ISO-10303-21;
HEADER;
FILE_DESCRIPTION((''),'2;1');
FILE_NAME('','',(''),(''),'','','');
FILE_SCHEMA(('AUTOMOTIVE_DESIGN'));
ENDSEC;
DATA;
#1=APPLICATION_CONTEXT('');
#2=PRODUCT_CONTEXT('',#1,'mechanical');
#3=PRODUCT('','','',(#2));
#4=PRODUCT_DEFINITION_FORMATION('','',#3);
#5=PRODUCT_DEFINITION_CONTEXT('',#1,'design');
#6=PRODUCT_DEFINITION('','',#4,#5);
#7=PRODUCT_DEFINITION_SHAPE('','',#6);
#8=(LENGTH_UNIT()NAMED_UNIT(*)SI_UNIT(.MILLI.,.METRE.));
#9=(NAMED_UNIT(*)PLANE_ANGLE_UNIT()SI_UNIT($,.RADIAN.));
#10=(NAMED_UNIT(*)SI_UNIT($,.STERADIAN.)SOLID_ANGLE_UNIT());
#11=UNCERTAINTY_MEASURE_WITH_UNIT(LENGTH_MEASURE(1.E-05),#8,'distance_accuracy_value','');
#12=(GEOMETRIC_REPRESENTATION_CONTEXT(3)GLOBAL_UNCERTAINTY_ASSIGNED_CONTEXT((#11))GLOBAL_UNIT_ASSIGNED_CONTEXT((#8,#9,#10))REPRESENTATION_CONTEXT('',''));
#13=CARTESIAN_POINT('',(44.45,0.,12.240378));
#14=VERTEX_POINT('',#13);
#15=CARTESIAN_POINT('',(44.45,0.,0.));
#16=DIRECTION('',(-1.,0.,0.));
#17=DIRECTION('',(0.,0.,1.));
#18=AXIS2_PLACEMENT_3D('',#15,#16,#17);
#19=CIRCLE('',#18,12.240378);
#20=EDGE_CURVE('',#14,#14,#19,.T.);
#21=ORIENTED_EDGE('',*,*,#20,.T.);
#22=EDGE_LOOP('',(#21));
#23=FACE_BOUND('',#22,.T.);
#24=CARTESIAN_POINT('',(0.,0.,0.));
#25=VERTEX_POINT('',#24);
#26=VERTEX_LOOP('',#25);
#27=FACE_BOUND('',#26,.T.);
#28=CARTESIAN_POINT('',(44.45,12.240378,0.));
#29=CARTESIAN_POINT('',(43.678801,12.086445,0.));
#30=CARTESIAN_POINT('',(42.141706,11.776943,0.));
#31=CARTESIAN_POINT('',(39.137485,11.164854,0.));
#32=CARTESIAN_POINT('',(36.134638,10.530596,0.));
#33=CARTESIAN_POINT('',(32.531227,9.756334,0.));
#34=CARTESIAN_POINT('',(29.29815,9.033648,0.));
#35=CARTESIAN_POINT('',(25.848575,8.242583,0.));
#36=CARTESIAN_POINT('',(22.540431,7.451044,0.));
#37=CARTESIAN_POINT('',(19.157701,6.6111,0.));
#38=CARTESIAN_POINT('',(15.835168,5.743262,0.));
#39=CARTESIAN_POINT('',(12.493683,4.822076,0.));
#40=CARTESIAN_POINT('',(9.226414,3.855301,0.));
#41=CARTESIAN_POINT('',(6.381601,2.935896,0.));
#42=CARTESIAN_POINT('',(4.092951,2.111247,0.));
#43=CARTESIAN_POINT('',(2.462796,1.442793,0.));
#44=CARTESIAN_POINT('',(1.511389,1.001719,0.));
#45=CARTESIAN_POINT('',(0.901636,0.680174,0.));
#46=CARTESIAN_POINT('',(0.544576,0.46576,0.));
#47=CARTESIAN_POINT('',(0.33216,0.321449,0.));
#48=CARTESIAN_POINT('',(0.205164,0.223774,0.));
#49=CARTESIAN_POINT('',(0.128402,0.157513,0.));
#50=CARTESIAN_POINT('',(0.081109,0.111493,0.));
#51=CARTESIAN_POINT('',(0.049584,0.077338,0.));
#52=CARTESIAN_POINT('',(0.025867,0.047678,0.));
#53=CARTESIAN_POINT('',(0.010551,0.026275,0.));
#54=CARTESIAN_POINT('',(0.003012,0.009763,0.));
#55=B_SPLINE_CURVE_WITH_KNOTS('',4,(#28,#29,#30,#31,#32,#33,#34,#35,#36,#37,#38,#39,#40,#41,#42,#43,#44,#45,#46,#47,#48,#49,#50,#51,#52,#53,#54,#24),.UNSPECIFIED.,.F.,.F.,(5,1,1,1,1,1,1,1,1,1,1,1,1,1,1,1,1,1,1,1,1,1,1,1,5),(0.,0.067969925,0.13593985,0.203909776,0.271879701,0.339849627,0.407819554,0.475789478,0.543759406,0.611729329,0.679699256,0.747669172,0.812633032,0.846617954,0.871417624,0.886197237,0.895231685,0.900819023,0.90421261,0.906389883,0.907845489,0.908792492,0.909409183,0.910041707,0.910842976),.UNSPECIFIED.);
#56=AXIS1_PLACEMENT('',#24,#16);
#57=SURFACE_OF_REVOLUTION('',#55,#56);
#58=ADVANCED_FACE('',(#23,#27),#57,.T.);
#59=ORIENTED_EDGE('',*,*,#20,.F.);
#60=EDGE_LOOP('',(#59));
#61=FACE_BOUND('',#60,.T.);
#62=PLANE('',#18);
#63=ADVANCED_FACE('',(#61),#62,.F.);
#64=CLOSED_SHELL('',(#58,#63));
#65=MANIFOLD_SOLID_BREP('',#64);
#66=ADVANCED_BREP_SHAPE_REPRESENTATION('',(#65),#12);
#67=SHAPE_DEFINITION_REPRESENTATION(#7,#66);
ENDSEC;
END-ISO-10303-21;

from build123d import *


with BuildPart() as part:
    # Sketch1 → Revolve1 (revolve)
    with BuildSketch(Plane.XY):
        with BuildLine():
            Line((0, 0), (44.45, 0))
            Line((44.45, 0), (44.45, 12.240378041))
            add(Edge.make_bspline(
                [(0, 0), (0.003011993, 0.009762905), (0.010551133, 0.02627483), (0.02586653, 0.047678002), (0.049584294, 0.077338244), (0.081109462, 0.111493124), (0.128401712, 0.157512982), (0.205163795, 0.22377356), (0.332159509, 0.321448772), (0.544576149, 0.465759826), (0.901635526, 0.680174208), (1.511388987, 1.001718774), (2.462796137, 1.442793313), (4.09295059, 2.111247407), (6.381601098, 2.935896342), (9.2264135, 3.855300667), (12.493682634, 4.822076041), (15.835168377, 5.74326247), (19.15770136, 6.611100284), (22.540430849, 7.451044456), (25.848575151, 8.242583042), (29.298149728, 9.033648457), (32.531227192, 9.756334274), (36.13463826, 10.530595732), (39.137485197, 11.164854423), (42.141706029, 11.776943106), (43.678800664, 12.086444553), (44.45, 12.240378041)],
                knots=[0, 0, 0, 0, 0, 0.000801269, 0.001433793, 0.002050484, 0.002997487, 0.004453093, 0.006630366, 0.010023953, 0.015611291, 0.024645739, 0.039425352, 0.064225022, 0.098209944, 0.163173804, 0.23114372, 0.299113647, 0.36708357, 0.435053499, 0.503023422, 0.570993349, 0.638963275, 0.7069332, 0.774903126, 0.842873051, 0.910842976, 0.910842976, 0.910842976, 0.910842976, 0.910842976], degree=4))
        make_face()
    revolve(axis=Axis((0, 0, 0), (1, 0, 0)))


solid = part.part
